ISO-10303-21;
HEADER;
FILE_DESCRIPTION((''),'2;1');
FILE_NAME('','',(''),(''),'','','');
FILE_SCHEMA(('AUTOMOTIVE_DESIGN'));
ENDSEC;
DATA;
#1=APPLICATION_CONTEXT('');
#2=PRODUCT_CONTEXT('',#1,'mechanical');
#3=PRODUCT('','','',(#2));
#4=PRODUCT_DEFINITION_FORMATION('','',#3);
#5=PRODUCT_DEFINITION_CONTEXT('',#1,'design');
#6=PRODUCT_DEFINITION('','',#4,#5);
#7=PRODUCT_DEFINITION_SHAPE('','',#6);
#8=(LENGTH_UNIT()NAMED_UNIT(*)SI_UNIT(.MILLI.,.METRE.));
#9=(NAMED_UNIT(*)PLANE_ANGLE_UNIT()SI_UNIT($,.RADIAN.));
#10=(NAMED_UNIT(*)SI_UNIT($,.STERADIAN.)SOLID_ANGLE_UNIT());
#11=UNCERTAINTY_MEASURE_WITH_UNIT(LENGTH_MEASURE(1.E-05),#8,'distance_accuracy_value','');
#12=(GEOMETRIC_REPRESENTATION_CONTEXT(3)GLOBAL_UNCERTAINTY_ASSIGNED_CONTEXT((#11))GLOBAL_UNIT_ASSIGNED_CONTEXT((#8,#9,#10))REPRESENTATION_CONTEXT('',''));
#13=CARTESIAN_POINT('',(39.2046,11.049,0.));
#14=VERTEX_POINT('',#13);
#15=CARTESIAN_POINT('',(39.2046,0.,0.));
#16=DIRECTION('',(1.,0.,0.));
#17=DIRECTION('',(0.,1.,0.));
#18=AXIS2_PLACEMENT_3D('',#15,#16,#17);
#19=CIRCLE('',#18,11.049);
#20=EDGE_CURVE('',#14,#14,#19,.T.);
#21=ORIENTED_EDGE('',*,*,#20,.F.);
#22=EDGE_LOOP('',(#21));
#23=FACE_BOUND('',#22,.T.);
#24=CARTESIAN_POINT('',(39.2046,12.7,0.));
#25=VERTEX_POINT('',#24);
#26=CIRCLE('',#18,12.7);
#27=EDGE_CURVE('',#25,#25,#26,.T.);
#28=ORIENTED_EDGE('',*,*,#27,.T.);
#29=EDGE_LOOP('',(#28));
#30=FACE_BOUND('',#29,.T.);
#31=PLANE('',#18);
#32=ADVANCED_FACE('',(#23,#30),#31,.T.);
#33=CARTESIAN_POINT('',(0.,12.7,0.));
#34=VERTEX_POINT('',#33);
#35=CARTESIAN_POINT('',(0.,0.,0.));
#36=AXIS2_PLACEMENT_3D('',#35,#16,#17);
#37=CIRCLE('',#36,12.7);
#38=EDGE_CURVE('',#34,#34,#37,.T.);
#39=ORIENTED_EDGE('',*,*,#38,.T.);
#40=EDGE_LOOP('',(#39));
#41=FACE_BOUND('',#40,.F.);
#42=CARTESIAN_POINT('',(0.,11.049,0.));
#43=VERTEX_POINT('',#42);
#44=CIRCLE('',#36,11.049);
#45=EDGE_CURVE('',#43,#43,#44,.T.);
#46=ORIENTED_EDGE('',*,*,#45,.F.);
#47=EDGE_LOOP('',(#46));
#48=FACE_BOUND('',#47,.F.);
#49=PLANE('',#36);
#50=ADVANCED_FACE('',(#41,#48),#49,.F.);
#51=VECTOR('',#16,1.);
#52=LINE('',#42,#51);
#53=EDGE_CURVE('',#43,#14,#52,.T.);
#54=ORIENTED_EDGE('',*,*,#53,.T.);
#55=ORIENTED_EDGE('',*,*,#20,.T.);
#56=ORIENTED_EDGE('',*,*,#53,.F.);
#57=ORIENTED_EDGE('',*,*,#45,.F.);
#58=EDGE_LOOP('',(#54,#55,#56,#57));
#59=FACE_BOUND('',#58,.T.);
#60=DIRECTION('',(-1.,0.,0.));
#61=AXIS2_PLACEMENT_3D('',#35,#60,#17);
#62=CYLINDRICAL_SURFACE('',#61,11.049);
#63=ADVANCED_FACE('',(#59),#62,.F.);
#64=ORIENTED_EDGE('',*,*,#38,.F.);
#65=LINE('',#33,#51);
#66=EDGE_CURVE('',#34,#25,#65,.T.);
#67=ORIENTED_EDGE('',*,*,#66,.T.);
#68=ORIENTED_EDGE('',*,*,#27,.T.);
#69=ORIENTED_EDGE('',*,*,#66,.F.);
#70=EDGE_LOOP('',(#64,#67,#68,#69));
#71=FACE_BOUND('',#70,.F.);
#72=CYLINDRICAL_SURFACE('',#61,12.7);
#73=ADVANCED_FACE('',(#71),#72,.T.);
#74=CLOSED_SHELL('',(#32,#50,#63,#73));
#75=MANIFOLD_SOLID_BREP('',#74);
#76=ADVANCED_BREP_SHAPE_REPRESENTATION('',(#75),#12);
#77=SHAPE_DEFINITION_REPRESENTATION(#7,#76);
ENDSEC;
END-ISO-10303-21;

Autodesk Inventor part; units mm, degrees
ref_plane "XZ Plane" through (0, 0, 0) normal (0, 1, 0) x (-1, 0, 0)
ref_plane "Start Plane" through (0, 0, 0) normal (1, 0, 0) x (0, 1, 0)
ref_plane "End Plane" through (39.2046, 0, 0) normal (1, 0, 0) x (0, 1, 0)
sketch "Sketch" plane through (0, 0, 0) normal (1, 0, 0) x (0, 1, 0)
  circle A0 centre (0, 0) radius 12.7
  circle A1 centre (0, 0) radius 11.049
  dimension "d0" = 25.4
  dimension "d1" = 1.651
extrude "Body" add sketch "Sketch" along normal up to surface (39.2046 mm away) from surface at 0
sketch "Sketch2" plane through (0, 0, 0) normal (1, 0, 0) x (0, 1, 0)
  line L0 (0, 0) -> (10, 0)
ref_plane "Work Plane3" through (0, 0, 0) normal (0, 0, -1) x (0, 1, 0)
sketch "Sketch3" plane through (0, 0, 0) normal (0, 0, -1) x (0, 1, 0)
  line L0 (-2, 0) -> (12, 0)
  line L1 (-2, 39.2046) -> (12, 39.2046)
  dimension "d9" = 39.2046
equation "\"G_OFFSET_START\" = 0"
equation "\"G_OFFSET_END\" = 0"
equation "\"d5\" = d2 + G_OFFSET_END"
equation "\"G_L\" = d9"
equation "\"d2\" = 39.204577"
properties part number "4130_1x0.065" material "Steel, Alloy"
